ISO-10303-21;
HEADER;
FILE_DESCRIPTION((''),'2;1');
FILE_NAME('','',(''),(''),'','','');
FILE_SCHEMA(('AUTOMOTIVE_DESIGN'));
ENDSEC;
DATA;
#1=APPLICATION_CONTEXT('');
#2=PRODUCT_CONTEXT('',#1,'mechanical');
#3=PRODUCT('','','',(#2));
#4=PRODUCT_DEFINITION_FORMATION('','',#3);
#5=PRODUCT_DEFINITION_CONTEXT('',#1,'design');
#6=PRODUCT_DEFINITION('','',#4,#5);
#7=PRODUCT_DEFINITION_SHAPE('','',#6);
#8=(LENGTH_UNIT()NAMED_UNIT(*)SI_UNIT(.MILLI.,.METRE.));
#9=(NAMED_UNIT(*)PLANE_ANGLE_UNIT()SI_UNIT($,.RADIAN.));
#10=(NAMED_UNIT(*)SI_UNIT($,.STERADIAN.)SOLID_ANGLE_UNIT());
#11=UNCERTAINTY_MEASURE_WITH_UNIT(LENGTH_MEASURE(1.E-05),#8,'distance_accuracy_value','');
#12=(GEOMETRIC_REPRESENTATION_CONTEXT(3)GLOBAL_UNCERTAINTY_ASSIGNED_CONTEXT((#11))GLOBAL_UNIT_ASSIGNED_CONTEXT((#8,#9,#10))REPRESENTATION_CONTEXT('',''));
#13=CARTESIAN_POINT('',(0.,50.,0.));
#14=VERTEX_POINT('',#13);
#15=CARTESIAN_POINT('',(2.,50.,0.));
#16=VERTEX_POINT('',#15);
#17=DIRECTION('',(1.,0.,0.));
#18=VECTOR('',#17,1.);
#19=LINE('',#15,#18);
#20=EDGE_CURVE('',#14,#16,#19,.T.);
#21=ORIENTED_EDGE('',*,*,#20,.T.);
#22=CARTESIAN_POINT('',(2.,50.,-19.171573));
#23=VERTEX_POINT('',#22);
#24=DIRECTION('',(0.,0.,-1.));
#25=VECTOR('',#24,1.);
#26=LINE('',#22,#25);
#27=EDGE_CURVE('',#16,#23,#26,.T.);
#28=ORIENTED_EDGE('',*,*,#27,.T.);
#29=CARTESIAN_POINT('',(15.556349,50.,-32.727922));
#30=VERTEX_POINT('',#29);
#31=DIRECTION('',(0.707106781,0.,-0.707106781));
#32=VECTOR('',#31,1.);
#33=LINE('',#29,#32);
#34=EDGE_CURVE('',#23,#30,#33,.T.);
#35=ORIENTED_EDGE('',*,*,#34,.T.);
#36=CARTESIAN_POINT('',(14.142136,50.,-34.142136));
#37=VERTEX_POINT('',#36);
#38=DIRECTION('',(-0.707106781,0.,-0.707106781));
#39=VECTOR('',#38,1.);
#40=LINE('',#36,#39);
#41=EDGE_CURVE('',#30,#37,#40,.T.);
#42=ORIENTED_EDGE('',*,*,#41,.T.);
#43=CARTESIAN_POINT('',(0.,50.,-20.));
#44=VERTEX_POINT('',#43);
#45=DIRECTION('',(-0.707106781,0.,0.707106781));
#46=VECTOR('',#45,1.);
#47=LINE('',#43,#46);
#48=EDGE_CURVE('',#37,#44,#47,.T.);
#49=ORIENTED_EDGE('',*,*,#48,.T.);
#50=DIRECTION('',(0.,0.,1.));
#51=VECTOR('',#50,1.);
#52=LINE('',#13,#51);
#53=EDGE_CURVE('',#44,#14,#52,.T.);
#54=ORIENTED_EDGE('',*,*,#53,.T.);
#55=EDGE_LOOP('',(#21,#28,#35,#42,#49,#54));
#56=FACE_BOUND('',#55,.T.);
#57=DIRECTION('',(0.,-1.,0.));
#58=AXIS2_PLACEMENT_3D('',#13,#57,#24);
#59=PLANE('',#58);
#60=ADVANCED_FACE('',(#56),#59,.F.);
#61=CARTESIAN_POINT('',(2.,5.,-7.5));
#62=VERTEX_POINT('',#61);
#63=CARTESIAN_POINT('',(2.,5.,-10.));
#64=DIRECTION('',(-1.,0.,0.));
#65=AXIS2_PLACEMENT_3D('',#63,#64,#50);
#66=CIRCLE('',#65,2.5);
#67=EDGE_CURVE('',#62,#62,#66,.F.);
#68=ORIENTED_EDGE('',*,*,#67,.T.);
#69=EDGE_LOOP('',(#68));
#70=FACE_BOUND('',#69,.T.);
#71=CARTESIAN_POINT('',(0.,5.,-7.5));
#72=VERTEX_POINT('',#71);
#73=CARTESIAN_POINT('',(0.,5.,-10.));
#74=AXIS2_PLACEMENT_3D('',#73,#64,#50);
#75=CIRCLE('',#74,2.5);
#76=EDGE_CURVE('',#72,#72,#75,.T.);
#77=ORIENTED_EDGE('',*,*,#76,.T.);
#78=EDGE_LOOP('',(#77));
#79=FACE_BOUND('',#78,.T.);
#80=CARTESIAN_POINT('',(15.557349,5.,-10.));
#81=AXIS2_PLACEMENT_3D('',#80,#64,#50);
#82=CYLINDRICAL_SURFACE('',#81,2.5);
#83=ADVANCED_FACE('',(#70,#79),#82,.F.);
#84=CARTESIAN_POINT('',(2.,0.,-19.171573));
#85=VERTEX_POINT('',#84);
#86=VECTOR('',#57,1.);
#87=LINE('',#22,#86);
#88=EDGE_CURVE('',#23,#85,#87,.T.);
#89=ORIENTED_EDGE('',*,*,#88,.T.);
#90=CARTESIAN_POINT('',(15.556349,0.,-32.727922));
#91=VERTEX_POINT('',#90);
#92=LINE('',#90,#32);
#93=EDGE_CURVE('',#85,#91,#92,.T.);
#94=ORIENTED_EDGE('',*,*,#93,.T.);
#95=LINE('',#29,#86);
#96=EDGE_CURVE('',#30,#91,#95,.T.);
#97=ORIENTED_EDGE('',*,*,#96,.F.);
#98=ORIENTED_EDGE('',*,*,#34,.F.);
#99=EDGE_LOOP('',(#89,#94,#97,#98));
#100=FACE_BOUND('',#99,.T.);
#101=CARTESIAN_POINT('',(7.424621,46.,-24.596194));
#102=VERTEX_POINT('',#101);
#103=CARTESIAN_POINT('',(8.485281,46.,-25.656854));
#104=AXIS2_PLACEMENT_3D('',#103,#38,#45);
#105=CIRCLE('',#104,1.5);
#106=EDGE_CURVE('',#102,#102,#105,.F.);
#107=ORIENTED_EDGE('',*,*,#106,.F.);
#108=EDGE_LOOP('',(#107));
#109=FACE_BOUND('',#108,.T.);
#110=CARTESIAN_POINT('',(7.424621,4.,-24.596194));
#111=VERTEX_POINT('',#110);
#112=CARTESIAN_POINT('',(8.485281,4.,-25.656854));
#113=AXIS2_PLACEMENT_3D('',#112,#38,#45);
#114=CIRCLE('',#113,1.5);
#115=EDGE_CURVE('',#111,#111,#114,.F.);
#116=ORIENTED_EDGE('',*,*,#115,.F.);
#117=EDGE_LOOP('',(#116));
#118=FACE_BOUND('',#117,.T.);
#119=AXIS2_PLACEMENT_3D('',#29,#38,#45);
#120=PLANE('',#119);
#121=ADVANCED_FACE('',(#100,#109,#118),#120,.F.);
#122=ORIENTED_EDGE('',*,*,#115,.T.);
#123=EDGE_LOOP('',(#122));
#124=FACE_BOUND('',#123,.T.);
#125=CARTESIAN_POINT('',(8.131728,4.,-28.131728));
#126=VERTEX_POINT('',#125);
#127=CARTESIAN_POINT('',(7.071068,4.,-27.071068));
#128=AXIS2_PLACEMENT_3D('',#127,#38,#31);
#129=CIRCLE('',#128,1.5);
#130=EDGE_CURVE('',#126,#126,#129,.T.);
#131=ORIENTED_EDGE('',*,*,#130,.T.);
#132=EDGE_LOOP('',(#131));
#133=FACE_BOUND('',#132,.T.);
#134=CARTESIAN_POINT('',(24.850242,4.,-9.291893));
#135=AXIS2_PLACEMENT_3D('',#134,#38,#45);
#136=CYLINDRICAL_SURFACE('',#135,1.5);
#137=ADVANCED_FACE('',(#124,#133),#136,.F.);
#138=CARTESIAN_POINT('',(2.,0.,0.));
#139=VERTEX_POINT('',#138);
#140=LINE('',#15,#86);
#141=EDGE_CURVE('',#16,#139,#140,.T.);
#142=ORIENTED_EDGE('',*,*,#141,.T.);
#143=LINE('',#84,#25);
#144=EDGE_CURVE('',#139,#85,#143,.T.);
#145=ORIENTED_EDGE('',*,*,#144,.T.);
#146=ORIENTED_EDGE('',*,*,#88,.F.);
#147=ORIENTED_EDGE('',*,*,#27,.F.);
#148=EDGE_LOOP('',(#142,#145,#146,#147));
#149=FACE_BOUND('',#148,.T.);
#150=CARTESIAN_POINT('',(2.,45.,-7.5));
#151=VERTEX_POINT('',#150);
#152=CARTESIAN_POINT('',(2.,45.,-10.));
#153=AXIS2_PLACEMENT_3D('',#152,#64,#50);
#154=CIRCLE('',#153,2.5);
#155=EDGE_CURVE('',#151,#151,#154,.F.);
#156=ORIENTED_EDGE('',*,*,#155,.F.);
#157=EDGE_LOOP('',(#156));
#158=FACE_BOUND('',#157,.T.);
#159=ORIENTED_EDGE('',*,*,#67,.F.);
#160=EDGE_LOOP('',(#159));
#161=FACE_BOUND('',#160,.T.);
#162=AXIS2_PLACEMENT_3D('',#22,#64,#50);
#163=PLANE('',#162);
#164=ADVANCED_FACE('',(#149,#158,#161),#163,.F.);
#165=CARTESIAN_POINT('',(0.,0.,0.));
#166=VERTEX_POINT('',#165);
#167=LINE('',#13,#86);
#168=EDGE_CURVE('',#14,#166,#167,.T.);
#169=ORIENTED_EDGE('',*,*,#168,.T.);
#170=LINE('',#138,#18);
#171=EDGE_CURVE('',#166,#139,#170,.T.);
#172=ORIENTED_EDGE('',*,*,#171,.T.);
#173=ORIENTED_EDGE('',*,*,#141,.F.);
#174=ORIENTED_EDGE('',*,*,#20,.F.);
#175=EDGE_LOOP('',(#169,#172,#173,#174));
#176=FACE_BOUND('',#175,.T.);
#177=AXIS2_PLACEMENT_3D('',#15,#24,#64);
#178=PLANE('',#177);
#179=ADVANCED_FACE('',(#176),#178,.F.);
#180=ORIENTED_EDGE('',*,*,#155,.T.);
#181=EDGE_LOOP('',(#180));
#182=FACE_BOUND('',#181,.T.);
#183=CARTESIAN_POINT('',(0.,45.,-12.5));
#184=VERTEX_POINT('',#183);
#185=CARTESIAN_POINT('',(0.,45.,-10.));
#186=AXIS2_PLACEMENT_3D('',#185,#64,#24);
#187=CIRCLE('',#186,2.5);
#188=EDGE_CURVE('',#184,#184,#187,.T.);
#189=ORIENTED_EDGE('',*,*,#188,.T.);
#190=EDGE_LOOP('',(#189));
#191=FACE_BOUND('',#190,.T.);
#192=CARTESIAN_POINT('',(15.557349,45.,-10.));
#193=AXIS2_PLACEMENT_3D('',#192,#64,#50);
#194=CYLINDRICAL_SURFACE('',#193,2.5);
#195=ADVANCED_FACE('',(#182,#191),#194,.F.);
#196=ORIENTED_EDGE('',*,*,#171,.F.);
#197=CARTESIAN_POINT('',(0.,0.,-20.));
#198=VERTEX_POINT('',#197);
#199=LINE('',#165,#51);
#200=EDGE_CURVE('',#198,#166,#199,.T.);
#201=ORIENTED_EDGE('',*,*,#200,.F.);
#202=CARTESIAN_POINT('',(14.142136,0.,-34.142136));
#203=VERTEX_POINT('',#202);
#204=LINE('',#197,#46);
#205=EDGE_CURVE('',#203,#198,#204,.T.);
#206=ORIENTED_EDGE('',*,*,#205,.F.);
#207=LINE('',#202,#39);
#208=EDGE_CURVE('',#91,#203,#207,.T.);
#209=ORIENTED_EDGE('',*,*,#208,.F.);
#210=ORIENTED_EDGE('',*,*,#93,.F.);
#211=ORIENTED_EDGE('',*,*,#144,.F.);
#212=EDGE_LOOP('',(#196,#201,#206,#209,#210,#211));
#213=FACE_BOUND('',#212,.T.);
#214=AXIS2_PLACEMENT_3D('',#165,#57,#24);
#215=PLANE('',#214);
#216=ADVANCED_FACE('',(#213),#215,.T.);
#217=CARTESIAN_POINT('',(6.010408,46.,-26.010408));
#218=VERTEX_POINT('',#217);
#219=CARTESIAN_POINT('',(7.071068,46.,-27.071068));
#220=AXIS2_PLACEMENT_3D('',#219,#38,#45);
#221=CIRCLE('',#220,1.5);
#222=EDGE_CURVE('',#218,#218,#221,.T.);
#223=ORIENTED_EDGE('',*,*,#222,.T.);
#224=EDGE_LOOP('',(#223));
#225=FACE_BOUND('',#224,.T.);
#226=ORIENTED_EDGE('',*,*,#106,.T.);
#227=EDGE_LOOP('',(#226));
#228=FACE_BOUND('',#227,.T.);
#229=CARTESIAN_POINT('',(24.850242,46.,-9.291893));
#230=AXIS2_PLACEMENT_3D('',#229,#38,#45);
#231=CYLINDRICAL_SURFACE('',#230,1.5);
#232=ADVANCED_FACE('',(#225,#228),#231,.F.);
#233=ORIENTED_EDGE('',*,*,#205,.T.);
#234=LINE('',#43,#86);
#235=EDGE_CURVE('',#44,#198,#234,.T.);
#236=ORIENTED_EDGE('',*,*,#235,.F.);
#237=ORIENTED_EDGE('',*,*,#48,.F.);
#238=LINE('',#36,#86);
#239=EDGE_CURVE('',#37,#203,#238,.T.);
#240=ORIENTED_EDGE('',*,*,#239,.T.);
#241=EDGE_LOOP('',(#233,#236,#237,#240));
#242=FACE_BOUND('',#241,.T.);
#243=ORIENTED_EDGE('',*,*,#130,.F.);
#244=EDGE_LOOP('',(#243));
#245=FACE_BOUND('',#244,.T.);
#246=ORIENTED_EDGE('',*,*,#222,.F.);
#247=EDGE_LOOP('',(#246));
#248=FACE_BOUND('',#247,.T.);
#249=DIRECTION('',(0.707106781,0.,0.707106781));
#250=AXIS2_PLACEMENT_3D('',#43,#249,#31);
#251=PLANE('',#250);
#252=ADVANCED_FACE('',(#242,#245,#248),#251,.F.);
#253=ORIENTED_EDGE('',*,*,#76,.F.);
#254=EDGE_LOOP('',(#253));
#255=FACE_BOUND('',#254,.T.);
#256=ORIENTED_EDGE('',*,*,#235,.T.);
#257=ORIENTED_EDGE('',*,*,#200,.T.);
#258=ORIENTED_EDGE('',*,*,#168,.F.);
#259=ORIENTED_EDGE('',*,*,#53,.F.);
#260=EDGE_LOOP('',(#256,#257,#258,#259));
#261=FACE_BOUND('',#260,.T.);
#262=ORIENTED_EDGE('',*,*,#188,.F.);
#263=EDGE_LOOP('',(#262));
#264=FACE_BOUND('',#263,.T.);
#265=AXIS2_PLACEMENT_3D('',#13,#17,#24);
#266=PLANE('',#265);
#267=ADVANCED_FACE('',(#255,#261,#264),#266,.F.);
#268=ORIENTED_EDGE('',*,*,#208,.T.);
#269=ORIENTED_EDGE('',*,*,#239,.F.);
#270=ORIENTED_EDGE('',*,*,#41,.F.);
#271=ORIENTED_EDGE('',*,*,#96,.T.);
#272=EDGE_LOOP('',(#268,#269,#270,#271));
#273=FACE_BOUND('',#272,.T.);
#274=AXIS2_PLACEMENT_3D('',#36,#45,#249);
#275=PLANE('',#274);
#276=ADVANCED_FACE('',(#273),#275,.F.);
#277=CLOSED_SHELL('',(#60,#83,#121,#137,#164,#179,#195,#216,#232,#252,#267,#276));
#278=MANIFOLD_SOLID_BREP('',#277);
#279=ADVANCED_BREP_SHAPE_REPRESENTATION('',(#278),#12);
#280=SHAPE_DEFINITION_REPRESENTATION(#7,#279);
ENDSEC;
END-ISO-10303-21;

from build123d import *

# Parameters (mm, degrees)
EXTRUSION1_DEPTH = 50
EXTRUSION2_REACH = 17.556
ESQUISSE3_R      = 2.5
EXTRUSION3_REACH = 27.142
ESQUISSE4_R      = 1.5


with BuildPart() as part:
    # Esquisse1 → Extrusion1 (new body)
    with BuildSketch(Plane(origin=(0, 0, 0), x_dir=(1, 0, 0), z_dir=(0, 1, 0))):
        Polygon((0, 0), (0, 20), (14.142135624, 34.142135624), (15.556349186, 32.727922061), (2, 19.171572875), (2, 0), align=None)
    extrude(amount=EXTRUSION1_DEPTH)

    # Esquisse3 → Extrusion2 (cut, up to next)
    with BuildSketch(Plane.ZY, mode=Mode.PRIVATE) as extrusion2_sk1:
        with Locations((-10, 5)):
            Circle(ESQUISSE3_R)
    extrusion2_tool1 = extrude(extrusion2_sk1.sketch, amount=-EXTRUSION2_REACH, mode=Mode.PRIVATE) & part.part
    add(extrusion2_tool1.solids().sort_by_distance((0, 5, -10))[0], mode=Mode.SUBTRACT)
    # Esquisse3 → Extrusion2 (cut, up to next)
    with BuildSketch(Plane.ZY, mode=Mode.PRIVATE) as extrusion2_sk2:
        with Locations((-10, 45)):
            Circle(ESQUISSE3_R)
    extrusion2_tool2 = extrude(extrusion2_sk2.sketch, amount=-EXTRUSION2_REACH, mode=Mode.PRIVATE) & part.part
    add(extrusion2_tool2.solids().sort_by_distance((0, 45, -10))[0], mode=Mode.SUBTRACT)

    # Esquisse4 → Extrusion3 (cut, up to next)
    with BuildSketch(Plane(origin=(-10, 0, -10), x_dir=(-0.707106781, 0, 0.707106781), z_dir=(-0.707106781, 0, -0.707106781)), mode=Mode.PRIVATE) as extrusion3_sk1:
        with Locations((-24.142135624, 46)):
            Circle(ESQUISSE4_R)
    extrusion3_tool1 = extrude(extrusion3_sk1.sketch, amount=-EXTRUSION3_REACH, mode=Mode.PRIVATE) & part.part
    add(extrusion3_tool1.solids().sort_by_distance((7.071068, 46, -27.071068))[0], mode=Mode.SUBTRACT)
    # Esquisse4 → Extrusion3 (cut, up to next)
    with BuildSketch(Plane(origin=(-10, 0, -10), x_dir=(-0.707106781, 0, 0.707106781), z_dir=(-0.707106781, 0, -0.707106781)), mode=Mode.PRIVATE) as extrusion3_sk2:
        with Locations((-24.142135624, 4)):
            Circle(ESQUISSE4_R)
    extrusion3_tool2 = extrude(extrusion3_sk2.sketch, amount=-EXTRUSION3_REACH, mode=Mode.PRIVATE) & part.part
    add(extrusion3_tool2.solids().sort_by_distance((7.071068, 4, -27.071068))[0], mode=Mode.SUBTRACT)


solid = part.part
